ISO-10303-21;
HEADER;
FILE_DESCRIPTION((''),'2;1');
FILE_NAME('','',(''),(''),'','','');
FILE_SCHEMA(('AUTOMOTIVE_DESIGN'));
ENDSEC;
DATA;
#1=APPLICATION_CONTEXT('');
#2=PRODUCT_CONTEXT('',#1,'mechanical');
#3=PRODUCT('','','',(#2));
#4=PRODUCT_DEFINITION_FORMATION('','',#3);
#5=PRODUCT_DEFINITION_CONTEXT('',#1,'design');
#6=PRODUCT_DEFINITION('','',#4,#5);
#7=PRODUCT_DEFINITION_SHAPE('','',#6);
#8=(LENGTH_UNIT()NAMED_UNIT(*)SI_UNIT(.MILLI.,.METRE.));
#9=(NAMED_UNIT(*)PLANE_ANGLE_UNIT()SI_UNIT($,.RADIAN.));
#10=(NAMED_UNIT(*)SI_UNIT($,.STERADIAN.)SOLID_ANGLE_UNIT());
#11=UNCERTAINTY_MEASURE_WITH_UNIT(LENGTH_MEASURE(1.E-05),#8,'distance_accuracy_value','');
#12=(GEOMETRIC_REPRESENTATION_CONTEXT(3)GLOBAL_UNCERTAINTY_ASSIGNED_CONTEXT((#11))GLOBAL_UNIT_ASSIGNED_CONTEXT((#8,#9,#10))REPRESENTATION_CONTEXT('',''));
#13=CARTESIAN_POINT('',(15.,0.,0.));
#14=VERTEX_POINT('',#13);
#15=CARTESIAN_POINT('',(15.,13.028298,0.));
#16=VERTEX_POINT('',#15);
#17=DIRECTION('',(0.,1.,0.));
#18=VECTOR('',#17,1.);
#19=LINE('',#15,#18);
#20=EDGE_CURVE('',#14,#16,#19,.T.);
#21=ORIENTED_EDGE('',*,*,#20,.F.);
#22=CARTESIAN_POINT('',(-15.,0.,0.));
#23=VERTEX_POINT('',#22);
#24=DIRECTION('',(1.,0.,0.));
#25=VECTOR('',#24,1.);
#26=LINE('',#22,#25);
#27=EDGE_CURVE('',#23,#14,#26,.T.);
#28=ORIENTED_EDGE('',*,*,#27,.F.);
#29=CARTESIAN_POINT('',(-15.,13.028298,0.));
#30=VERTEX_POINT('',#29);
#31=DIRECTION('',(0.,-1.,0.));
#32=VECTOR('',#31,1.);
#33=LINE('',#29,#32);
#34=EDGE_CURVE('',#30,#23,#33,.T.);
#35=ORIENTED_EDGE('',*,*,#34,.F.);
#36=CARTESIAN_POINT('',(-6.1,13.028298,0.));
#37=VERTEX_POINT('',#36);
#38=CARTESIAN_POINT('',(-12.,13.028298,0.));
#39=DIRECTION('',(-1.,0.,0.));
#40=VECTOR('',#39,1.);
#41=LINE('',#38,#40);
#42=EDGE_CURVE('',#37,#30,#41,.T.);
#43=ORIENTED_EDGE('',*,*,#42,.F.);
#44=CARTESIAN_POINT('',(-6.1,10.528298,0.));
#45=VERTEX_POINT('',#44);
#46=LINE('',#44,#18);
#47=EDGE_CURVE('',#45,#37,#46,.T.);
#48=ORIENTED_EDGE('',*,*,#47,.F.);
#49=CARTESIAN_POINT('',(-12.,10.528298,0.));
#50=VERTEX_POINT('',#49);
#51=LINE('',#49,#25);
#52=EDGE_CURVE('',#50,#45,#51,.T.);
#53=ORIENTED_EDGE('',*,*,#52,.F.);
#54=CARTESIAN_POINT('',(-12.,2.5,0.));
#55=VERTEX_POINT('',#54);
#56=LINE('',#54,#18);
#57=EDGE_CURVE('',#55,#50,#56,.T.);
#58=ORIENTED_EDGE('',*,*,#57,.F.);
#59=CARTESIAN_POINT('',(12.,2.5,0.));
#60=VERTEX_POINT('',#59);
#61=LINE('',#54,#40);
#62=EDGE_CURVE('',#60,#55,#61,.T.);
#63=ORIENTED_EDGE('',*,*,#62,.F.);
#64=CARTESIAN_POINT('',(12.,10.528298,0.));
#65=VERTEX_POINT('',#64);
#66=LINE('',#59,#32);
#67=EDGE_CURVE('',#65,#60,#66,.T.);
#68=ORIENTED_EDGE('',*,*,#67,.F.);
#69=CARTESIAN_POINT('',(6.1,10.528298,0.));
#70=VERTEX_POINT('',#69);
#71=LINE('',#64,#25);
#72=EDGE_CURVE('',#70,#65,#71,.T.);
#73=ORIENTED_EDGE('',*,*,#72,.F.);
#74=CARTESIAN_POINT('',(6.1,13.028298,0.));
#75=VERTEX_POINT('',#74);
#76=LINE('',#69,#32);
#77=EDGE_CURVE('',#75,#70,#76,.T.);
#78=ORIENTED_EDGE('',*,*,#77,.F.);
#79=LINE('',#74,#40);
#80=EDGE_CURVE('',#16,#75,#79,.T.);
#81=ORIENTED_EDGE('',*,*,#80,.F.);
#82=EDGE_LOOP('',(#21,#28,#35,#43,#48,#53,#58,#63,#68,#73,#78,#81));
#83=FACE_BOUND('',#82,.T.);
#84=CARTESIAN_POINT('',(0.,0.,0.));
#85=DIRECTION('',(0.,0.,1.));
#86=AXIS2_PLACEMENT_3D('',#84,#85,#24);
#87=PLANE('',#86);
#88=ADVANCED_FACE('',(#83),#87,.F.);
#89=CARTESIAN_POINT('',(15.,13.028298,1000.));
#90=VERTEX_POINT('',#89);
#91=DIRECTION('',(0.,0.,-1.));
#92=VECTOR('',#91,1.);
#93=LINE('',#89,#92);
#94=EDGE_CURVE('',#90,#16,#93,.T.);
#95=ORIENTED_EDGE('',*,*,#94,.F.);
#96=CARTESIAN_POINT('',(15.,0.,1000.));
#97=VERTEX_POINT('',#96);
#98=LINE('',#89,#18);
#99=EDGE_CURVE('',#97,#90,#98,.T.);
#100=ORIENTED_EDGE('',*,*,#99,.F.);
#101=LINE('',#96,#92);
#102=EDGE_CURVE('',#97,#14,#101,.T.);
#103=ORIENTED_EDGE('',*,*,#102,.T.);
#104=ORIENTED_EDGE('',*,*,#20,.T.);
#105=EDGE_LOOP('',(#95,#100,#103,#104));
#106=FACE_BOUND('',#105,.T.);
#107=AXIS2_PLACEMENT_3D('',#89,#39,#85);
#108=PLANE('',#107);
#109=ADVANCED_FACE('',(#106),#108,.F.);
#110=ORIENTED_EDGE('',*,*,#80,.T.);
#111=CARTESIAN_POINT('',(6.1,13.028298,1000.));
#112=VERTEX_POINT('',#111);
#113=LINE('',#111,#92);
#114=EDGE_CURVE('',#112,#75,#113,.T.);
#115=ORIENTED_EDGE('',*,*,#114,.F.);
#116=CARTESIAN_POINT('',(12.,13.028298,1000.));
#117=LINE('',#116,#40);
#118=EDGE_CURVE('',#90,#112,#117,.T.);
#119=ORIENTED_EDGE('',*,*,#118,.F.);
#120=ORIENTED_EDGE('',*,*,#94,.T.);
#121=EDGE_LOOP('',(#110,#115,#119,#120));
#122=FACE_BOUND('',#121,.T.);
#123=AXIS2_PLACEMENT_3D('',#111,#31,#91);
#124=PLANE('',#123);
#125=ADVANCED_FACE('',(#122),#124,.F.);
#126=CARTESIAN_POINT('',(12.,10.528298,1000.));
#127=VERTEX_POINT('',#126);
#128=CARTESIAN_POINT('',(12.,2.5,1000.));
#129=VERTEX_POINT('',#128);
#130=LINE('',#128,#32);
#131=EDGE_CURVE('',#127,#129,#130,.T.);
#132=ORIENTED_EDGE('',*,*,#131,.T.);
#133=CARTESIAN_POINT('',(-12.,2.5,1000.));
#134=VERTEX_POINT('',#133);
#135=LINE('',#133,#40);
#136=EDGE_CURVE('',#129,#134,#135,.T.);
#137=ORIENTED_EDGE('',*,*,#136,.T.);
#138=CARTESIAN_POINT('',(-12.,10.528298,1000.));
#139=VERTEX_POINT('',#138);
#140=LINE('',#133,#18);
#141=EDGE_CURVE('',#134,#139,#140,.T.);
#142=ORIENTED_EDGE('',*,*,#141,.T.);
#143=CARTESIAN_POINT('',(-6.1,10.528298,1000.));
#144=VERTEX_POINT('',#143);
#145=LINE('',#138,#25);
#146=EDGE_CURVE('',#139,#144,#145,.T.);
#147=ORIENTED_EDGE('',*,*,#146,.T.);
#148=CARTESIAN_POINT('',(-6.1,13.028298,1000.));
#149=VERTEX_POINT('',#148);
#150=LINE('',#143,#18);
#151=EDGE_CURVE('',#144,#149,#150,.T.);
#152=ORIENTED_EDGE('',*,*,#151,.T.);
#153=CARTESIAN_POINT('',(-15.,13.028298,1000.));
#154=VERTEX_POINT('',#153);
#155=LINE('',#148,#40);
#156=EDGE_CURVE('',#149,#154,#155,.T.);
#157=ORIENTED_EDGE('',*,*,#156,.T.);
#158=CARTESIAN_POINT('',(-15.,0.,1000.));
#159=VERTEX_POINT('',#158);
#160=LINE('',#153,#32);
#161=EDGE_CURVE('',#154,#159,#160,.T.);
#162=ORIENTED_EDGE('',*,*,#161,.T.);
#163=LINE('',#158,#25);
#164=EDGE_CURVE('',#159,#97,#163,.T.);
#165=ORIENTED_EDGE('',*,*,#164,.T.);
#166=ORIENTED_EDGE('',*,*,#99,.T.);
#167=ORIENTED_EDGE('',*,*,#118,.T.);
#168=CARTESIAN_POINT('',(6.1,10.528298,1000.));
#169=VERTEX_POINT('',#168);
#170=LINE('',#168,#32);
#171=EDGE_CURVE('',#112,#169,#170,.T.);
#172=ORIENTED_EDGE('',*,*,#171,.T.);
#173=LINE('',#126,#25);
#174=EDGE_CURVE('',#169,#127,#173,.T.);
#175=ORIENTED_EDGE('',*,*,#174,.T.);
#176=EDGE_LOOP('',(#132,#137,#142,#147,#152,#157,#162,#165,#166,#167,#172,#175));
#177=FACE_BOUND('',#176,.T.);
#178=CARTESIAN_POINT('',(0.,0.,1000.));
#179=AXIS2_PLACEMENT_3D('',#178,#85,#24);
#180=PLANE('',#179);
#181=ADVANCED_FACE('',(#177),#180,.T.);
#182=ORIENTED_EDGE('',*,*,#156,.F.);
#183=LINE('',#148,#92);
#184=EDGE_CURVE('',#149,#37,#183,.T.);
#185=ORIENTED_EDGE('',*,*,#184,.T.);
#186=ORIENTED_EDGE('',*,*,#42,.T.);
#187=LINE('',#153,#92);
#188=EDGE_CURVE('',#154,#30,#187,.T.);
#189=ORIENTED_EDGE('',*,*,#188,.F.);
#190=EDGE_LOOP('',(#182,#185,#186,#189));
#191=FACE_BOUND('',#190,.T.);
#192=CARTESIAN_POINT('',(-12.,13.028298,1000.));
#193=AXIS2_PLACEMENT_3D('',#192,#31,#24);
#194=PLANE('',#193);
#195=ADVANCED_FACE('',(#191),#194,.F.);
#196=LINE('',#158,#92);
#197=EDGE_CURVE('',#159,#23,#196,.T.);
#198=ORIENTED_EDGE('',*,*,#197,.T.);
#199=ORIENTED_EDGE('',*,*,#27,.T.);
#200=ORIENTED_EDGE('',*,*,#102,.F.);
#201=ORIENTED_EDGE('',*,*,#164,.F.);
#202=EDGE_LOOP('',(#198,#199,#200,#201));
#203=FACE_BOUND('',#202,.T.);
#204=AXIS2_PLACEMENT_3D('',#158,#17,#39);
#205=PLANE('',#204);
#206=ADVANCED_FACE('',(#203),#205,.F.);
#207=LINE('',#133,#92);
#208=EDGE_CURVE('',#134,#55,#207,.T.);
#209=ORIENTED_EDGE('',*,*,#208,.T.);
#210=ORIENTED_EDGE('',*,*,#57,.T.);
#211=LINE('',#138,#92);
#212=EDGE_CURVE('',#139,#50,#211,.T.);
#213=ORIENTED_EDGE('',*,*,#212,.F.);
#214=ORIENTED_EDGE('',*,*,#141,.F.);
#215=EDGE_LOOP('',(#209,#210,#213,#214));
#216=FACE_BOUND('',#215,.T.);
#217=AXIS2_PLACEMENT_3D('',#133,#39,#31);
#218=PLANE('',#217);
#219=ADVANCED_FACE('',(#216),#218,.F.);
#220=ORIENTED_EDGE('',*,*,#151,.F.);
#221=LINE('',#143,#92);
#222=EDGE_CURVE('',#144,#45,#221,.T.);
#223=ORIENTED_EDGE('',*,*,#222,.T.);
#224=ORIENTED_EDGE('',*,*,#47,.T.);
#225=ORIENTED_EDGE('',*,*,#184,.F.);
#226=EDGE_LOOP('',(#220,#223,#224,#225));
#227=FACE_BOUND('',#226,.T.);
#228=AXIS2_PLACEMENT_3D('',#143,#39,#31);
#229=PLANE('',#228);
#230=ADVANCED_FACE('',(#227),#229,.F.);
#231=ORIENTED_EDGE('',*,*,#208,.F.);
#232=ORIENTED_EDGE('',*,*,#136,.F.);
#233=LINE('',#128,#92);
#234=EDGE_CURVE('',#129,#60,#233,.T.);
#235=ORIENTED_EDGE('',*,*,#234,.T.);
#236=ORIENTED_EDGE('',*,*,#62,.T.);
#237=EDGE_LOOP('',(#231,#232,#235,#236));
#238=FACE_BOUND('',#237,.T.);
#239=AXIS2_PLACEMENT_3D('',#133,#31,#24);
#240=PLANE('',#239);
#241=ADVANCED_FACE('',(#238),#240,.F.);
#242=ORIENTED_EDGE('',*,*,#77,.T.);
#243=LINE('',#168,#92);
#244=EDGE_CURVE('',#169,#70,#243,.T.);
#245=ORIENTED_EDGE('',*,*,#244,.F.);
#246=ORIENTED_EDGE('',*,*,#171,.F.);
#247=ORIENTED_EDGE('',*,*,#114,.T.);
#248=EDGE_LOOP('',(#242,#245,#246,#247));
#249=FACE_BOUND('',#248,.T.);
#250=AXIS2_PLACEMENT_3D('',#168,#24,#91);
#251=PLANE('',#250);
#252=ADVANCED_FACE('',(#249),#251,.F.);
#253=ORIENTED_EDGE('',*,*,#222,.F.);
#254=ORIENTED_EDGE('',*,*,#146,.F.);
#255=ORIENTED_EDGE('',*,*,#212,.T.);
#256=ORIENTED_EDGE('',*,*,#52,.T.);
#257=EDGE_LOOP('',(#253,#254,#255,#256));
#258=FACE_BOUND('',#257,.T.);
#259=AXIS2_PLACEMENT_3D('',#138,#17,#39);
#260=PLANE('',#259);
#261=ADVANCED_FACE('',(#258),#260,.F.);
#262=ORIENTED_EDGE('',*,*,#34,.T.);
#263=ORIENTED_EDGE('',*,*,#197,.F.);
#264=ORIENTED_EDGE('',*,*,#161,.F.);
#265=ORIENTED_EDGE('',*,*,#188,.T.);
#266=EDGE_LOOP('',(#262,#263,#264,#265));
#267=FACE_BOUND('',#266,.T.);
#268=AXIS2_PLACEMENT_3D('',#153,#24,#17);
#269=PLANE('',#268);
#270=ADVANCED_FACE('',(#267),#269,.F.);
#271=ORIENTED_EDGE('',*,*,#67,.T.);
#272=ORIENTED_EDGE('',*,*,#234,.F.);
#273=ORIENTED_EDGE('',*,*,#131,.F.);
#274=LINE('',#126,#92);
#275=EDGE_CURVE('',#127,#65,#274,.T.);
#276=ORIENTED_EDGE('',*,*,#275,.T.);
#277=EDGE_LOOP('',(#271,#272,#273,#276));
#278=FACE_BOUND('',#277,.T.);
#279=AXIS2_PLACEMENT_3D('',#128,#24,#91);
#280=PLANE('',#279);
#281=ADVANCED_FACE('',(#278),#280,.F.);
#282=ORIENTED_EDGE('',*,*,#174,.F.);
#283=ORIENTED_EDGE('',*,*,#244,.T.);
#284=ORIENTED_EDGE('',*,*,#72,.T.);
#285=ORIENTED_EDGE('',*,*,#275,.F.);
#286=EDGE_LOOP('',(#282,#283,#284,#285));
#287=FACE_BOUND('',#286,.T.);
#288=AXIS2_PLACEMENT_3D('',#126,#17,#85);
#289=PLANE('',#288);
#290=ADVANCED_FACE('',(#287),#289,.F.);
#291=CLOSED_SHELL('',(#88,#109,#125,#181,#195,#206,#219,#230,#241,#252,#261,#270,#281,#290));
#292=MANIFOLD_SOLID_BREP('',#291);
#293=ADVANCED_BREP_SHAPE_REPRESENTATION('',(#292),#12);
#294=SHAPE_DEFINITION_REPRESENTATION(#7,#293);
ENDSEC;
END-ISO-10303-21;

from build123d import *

# Parameters (mm, degrees)
BOSS_EXTRUDE1_DEPTH = 1000


with BuildPart() as part:
    # Sketch1 → Boss-Extrude1 (new body)
    with BuildSketch(Plane.XY):
        Polygon((-15, 0), (15, 0), (15, 13.028297731), (12, 13.028297731), (6.1, 13.028297731), (6.1, 10.528297731), (12, 10.528297731), (12, 2.5), (-12, 2.5), (-12, 10.528297731), (-6.1, 10.528297731), (-6.1, 13.028297731), (-12, 13.028297731), (-15, 13.028297731), align=None)
    extrude(amount=BOSS_EXTRUDE1_DEPTH)


solid = part.part
